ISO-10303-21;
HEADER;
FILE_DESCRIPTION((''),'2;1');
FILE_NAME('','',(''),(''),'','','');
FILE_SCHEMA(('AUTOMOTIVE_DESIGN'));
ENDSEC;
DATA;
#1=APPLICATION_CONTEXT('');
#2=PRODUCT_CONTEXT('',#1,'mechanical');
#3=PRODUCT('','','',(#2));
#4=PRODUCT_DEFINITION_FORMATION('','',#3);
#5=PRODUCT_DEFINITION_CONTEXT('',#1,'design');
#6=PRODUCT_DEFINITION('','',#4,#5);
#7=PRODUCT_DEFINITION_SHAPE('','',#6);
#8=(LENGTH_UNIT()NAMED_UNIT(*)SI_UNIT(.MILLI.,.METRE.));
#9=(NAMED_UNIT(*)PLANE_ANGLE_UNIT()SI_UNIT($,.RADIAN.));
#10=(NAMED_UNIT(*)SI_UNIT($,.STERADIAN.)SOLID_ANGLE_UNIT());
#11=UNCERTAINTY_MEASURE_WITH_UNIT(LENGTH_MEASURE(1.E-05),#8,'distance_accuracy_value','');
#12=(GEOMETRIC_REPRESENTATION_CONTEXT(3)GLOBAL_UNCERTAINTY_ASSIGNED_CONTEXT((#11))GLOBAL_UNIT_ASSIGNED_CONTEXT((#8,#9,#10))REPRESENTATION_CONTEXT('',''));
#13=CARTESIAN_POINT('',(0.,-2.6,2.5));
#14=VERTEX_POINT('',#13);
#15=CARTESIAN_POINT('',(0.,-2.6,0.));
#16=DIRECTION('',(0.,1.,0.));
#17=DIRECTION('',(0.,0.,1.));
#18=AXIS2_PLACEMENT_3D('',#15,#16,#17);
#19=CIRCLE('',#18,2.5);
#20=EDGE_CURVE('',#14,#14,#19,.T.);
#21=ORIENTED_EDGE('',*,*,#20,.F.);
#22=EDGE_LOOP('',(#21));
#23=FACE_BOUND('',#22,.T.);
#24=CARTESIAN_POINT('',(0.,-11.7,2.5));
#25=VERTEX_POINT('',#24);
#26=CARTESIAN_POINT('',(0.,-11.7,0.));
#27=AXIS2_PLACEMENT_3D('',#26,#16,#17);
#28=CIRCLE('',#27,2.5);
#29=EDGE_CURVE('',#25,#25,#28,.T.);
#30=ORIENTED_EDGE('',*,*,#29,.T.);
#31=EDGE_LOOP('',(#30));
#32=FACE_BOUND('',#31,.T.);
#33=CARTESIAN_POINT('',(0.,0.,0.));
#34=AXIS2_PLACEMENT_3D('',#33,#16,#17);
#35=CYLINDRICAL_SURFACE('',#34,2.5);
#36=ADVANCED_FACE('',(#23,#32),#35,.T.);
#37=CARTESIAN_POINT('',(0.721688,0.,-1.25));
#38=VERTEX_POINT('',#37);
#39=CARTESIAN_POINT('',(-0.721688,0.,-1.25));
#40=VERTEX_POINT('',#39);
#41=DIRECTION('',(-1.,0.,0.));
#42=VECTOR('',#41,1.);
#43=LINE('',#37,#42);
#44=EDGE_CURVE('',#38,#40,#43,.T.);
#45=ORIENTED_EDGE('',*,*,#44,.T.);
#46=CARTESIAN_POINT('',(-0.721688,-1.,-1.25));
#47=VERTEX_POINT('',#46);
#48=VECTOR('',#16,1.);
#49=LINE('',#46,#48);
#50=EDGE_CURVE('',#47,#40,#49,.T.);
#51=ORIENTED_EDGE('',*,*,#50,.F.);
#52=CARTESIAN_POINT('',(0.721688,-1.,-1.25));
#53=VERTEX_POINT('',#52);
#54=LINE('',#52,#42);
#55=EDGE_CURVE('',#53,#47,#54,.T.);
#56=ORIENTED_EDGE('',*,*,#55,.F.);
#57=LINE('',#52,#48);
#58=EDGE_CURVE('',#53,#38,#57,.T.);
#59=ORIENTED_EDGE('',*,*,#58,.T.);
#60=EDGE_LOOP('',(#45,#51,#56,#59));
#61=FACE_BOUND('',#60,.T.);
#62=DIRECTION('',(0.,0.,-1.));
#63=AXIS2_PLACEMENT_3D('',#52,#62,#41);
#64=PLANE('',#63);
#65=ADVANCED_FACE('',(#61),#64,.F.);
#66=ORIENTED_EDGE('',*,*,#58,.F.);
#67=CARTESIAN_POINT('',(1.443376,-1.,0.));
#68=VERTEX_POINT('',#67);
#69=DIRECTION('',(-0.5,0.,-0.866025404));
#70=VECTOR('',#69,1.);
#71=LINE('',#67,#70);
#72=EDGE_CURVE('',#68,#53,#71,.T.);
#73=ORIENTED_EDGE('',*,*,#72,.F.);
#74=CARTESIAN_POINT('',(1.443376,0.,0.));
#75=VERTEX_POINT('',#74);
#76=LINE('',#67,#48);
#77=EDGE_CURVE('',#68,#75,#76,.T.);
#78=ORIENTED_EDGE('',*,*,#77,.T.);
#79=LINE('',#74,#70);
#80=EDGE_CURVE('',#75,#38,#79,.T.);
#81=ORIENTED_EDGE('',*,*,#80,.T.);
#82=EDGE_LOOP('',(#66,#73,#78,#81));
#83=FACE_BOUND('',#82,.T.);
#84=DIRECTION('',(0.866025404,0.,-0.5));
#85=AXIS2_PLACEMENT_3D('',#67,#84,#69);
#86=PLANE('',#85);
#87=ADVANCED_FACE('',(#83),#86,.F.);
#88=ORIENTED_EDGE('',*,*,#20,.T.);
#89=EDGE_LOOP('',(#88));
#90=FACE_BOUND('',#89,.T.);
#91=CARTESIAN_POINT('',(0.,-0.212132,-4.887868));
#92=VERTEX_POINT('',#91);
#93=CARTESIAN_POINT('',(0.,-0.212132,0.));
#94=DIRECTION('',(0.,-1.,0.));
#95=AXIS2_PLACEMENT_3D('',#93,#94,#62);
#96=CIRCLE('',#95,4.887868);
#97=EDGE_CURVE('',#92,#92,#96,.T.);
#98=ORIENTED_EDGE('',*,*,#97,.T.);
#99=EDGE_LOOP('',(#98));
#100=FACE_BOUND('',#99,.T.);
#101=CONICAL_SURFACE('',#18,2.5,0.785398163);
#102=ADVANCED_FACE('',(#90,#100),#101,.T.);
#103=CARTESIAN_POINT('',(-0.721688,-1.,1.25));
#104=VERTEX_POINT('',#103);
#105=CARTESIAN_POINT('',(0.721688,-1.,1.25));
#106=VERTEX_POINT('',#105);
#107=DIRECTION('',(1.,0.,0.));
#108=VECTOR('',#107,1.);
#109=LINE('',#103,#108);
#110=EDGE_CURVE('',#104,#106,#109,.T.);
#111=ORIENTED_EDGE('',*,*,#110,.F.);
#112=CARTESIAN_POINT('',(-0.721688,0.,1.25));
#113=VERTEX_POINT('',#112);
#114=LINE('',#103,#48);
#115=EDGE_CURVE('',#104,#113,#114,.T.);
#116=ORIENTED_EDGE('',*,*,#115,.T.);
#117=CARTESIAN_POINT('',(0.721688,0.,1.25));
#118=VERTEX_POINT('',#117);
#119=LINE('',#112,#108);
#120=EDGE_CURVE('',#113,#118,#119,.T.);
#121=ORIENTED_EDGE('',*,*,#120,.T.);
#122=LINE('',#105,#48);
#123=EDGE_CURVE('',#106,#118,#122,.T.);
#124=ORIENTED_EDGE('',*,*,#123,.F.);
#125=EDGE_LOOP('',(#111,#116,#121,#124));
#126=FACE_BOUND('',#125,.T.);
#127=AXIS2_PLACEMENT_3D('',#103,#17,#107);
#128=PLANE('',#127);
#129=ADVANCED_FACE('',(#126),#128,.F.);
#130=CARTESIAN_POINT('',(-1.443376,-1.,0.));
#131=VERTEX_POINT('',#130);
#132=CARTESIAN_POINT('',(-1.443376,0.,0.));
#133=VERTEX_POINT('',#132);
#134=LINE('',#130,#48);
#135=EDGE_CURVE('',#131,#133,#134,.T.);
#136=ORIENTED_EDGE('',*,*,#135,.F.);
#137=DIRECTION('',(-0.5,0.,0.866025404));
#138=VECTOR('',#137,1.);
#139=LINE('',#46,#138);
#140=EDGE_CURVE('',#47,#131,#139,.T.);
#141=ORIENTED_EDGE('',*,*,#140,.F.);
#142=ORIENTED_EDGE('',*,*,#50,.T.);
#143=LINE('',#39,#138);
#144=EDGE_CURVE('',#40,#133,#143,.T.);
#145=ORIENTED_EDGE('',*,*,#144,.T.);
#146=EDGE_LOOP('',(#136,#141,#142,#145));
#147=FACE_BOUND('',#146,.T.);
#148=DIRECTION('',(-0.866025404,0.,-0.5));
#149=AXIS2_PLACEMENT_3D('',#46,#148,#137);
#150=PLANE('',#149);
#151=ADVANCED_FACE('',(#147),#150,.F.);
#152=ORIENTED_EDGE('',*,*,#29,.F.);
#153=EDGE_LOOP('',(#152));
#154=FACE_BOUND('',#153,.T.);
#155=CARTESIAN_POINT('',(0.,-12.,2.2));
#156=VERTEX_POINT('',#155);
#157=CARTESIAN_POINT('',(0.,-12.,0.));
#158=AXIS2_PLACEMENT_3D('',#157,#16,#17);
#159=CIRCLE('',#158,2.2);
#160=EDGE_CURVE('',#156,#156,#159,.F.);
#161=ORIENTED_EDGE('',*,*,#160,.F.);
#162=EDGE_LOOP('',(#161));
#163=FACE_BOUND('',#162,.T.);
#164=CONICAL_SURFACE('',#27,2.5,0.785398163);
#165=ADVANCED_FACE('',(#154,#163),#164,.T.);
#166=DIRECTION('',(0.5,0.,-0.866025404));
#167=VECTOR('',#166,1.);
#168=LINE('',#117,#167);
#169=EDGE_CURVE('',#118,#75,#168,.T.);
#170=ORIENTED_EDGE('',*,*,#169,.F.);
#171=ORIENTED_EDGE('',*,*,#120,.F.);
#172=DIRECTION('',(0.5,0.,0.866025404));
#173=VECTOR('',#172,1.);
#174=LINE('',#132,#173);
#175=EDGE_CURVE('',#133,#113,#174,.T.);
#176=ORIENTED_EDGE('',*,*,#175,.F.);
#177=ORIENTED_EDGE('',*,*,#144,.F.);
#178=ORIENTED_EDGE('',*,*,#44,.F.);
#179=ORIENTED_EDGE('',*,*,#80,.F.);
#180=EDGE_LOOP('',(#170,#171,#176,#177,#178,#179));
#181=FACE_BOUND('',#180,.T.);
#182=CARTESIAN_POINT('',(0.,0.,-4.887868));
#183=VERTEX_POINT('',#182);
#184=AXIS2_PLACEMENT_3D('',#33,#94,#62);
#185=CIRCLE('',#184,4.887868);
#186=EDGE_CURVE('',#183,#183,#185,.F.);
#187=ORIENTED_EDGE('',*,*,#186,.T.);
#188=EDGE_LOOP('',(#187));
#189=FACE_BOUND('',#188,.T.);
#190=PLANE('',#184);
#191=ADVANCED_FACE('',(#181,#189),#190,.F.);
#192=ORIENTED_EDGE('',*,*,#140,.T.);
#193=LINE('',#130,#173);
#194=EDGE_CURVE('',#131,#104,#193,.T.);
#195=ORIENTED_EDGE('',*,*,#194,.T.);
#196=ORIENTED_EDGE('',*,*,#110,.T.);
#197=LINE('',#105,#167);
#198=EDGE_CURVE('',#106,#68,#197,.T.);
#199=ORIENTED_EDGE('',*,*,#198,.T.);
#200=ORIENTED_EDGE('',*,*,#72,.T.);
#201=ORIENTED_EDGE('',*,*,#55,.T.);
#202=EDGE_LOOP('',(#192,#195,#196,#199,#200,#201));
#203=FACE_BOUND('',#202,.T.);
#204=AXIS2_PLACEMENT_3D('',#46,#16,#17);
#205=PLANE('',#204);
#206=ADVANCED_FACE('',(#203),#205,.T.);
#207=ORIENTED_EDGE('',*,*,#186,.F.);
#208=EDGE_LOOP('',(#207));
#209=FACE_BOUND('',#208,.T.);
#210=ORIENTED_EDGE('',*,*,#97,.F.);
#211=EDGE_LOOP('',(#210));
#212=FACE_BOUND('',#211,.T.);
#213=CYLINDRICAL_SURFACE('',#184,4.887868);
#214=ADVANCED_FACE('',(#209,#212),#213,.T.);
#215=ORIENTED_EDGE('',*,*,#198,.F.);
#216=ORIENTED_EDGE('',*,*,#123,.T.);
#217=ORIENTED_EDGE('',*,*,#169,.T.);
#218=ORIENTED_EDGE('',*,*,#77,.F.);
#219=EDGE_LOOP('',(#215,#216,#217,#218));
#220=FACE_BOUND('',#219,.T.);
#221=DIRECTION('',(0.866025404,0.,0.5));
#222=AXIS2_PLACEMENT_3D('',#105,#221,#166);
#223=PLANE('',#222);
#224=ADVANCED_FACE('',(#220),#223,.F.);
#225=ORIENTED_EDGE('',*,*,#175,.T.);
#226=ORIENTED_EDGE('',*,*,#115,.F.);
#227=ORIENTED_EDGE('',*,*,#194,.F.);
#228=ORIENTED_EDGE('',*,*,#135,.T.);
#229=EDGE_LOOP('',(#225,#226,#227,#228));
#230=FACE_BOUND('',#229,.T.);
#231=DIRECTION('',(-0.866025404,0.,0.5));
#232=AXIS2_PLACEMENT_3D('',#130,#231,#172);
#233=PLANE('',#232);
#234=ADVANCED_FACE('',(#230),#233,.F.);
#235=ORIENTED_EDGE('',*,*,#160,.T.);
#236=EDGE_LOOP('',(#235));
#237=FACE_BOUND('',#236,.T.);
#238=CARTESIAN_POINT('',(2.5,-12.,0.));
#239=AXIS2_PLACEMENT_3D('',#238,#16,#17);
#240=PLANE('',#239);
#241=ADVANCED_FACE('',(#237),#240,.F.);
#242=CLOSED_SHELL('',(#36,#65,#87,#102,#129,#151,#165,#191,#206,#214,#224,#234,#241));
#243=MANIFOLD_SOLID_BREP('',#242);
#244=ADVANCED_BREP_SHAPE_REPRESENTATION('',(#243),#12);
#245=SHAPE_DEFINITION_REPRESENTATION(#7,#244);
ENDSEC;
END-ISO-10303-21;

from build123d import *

# Parameters (mm, degrees)
CHAFL_N2_SIZE         = 0.3
CHAFL_N2_SIZE2        = 0.212132034
CHAFL_N3_SIZE         = 0.3
CORTAR_EXTRUIR2_DEPTH = 1


with BuildPart() as part:
    # Croquis1 → Revolución1 (revolve)
    with BuildSketch(Plane.XY, mode=Mode.PRIVATE) as revoluci_n1_sk:
        Polygon((0, 0), (5.1, 0), (2.5, -2.6), (2.5, -12), (0, -12), align=None)
    revolve(revoluci_n1_sk.sketch.rotate(Axis((0, 0, 0), (0, -1, 0)), 90), axis=Axis((0, 0, 0), (0, -1, 0)))

    # Chaflán2
    chafl_n2_edges = [part.edges().sort_by_distance(p)[0] for p in [
        (0, 0, -5.1),
    ]]
    chafl_n2_side = [part.faces().sort_by_distance(p)[0] for p in [
        (0, -1.3, -3.8),
    ]]
    chamfer(chafl_n2_edges, length=CHAFL_N2_SIZE, length2=CHAFL_N2_SIZE2, reference=chafl_n2_side[0])

    # Chaflán3
    chafl_n3_edges = [part.edges().sort_by_distance(p)[0] for p in [
        (0, -12, -2.5),
    ]]
    chamfer(chafl_n3_edges, length=CHAFL_N3_SIZE)

    # Croquis3 → Cortar-Extruir2 (cut)
    with BuildSketch(Plane(origin=(0, 0, 0), x_dir=(1, 0, 0), z_dir=(0, 1, 0))):
        Polygon((-0.721687836, 1.25), (-1.443375673, 0), (-0.721687836, -1.25), (0.721687836, -1.25), (1.443375673, 0), (0.721687836, 1.25), align=None)
    extrude(amount=-CORTAR_EXTRUIR2_DEPTH, mode=Mode.SUBTRACT)


solid = part.part
